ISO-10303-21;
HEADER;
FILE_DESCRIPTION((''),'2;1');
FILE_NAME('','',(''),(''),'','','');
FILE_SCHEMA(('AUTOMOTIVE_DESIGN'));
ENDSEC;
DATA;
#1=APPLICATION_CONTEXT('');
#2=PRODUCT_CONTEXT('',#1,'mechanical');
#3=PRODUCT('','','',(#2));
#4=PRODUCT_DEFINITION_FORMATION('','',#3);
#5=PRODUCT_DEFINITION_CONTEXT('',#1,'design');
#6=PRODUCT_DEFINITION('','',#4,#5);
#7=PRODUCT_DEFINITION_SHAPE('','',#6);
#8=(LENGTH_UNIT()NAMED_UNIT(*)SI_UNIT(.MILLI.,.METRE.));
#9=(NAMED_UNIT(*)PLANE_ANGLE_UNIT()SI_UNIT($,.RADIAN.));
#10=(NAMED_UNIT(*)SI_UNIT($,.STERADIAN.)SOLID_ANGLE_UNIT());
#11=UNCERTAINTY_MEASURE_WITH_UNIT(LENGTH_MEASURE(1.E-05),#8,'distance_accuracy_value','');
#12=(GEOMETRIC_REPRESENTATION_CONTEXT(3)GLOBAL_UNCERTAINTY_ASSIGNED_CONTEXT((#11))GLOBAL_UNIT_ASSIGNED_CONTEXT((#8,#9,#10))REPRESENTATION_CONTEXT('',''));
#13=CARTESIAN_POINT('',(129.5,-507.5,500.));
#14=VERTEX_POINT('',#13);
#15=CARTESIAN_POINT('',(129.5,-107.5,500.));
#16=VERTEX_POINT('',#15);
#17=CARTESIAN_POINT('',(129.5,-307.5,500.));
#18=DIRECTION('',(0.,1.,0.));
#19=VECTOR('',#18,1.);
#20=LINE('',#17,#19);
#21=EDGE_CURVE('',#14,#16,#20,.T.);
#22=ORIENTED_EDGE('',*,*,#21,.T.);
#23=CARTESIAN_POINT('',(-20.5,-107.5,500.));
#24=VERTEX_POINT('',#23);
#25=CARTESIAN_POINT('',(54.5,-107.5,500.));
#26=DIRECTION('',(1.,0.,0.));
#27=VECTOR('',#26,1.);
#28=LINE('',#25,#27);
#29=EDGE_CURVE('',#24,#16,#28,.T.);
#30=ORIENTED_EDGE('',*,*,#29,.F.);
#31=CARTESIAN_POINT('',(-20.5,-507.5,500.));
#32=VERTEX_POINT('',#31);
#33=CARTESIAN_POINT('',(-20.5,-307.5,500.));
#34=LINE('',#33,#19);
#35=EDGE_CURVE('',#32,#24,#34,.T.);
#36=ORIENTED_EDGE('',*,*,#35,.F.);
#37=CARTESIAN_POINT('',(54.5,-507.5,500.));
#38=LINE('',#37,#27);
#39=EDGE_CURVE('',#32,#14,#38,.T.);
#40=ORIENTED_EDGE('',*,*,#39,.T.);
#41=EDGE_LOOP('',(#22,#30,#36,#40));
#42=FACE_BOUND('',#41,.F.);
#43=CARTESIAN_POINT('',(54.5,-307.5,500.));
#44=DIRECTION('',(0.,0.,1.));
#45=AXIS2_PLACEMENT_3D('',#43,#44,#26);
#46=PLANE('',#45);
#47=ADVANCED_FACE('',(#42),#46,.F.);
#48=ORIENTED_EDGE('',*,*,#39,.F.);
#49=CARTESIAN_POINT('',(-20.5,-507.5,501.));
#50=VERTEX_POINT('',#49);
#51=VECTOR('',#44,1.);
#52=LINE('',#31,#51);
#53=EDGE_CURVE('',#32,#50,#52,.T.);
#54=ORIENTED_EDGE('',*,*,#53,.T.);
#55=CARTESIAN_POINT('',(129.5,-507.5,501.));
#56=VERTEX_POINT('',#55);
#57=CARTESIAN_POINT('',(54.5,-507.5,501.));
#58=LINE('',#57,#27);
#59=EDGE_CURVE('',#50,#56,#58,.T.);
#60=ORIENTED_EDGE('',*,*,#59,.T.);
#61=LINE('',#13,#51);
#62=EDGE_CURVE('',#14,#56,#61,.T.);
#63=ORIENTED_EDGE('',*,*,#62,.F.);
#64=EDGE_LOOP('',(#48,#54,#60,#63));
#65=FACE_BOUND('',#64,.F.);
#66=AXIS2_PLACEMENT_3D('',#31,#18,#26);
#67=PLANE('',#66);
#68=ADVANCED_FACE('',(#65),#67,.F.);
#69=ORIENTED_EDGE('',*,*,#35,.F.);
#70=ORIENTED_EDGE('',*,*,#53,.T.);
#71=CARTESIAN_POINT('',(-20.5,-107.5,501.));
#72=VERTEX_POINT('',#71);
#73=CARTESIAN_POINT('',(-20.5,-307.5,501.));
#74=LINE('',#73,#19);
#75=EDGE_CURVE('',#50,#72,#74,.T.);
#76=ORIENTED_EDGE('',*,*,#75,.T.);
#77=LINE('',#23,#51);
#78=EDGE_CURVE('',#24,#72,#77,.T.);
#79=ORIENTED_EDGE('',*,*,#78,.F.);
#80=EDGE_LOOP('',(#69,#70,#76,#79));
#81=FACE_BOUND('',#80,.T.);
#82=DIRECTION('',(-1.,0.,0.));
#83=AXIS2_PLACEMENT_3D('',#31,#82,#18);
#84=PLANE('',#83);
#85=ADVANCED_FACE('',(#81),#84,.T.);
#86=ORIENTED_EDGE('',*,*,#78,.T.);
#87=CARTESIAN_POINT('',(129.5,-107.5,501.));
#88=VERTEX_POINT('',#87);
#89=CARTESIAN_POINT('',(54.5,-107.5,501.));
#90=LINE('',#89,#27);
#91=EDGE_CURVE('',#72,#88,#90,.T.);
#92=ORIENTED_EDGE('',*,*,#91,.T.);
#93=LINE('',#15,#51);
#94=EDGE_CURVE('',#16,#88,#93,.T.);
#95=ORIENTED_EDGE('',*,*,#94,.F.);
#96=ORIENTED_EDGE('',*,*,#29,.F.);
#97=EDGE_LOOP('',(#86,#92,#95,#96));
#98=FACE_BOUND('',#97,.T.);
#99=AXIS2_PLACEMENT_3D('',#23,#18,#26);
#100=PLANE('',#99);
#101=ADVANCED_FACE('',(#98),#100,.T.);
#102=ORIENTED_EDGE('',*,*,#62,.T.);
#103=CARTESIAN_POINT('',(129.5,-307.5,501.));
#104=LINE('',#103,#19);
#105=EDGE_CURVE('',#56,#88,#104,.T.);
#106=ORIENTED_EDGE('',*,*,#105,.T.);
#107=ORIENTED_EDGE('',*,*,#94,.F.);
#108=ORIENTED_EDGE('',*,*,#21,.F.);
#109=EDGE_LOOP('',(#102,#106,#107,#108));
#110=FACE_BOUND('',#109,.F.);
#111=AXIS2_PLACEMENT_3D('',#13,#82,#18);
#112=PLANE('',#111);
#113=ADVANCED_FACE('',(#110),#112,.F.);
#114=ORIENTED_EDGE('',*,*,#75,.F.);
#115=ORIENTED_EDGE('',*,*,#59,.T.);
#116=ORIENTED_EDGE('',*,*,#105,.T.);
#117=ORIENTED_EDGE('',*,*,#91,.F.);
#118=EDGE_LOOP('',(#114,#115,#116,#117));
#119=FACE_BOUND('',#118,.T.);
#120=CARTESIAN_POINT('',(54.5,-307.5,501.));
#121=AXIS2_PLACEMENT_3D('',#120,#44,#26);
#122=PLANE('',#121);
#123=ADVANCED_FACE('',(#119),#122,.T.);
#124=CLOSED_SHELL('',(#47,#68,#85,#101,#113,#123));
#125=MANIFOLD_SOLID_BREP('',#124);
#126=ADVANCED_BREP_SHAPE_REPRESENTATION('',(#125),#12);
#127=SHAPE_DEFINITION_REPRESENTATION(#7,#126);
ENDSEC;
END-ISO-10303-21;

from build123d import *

# Parameters (mm, degrees)
F0_W     = 150
F0_H     = 400
F1_DEPTH = 1


with BuildPart() as f1:
    # F0 (on Top) → F1 (new body)
    with BuildSketch(Plane.XY):
        with Locations((75, 200)):
            Rectangle(F0_W, F0_H)
    extrude(amount=F1_DEPTH)


with BuildPart() as f1_1:
    # F2: moved
    add(f1.part.moved(Location((-18, -511, 500))))


with BuildPart() as f1_2:
    # F3: moved
    add(f1_1.part.moved(Location((-2.5, 3.5, 0))))


solid = f1_2.part
